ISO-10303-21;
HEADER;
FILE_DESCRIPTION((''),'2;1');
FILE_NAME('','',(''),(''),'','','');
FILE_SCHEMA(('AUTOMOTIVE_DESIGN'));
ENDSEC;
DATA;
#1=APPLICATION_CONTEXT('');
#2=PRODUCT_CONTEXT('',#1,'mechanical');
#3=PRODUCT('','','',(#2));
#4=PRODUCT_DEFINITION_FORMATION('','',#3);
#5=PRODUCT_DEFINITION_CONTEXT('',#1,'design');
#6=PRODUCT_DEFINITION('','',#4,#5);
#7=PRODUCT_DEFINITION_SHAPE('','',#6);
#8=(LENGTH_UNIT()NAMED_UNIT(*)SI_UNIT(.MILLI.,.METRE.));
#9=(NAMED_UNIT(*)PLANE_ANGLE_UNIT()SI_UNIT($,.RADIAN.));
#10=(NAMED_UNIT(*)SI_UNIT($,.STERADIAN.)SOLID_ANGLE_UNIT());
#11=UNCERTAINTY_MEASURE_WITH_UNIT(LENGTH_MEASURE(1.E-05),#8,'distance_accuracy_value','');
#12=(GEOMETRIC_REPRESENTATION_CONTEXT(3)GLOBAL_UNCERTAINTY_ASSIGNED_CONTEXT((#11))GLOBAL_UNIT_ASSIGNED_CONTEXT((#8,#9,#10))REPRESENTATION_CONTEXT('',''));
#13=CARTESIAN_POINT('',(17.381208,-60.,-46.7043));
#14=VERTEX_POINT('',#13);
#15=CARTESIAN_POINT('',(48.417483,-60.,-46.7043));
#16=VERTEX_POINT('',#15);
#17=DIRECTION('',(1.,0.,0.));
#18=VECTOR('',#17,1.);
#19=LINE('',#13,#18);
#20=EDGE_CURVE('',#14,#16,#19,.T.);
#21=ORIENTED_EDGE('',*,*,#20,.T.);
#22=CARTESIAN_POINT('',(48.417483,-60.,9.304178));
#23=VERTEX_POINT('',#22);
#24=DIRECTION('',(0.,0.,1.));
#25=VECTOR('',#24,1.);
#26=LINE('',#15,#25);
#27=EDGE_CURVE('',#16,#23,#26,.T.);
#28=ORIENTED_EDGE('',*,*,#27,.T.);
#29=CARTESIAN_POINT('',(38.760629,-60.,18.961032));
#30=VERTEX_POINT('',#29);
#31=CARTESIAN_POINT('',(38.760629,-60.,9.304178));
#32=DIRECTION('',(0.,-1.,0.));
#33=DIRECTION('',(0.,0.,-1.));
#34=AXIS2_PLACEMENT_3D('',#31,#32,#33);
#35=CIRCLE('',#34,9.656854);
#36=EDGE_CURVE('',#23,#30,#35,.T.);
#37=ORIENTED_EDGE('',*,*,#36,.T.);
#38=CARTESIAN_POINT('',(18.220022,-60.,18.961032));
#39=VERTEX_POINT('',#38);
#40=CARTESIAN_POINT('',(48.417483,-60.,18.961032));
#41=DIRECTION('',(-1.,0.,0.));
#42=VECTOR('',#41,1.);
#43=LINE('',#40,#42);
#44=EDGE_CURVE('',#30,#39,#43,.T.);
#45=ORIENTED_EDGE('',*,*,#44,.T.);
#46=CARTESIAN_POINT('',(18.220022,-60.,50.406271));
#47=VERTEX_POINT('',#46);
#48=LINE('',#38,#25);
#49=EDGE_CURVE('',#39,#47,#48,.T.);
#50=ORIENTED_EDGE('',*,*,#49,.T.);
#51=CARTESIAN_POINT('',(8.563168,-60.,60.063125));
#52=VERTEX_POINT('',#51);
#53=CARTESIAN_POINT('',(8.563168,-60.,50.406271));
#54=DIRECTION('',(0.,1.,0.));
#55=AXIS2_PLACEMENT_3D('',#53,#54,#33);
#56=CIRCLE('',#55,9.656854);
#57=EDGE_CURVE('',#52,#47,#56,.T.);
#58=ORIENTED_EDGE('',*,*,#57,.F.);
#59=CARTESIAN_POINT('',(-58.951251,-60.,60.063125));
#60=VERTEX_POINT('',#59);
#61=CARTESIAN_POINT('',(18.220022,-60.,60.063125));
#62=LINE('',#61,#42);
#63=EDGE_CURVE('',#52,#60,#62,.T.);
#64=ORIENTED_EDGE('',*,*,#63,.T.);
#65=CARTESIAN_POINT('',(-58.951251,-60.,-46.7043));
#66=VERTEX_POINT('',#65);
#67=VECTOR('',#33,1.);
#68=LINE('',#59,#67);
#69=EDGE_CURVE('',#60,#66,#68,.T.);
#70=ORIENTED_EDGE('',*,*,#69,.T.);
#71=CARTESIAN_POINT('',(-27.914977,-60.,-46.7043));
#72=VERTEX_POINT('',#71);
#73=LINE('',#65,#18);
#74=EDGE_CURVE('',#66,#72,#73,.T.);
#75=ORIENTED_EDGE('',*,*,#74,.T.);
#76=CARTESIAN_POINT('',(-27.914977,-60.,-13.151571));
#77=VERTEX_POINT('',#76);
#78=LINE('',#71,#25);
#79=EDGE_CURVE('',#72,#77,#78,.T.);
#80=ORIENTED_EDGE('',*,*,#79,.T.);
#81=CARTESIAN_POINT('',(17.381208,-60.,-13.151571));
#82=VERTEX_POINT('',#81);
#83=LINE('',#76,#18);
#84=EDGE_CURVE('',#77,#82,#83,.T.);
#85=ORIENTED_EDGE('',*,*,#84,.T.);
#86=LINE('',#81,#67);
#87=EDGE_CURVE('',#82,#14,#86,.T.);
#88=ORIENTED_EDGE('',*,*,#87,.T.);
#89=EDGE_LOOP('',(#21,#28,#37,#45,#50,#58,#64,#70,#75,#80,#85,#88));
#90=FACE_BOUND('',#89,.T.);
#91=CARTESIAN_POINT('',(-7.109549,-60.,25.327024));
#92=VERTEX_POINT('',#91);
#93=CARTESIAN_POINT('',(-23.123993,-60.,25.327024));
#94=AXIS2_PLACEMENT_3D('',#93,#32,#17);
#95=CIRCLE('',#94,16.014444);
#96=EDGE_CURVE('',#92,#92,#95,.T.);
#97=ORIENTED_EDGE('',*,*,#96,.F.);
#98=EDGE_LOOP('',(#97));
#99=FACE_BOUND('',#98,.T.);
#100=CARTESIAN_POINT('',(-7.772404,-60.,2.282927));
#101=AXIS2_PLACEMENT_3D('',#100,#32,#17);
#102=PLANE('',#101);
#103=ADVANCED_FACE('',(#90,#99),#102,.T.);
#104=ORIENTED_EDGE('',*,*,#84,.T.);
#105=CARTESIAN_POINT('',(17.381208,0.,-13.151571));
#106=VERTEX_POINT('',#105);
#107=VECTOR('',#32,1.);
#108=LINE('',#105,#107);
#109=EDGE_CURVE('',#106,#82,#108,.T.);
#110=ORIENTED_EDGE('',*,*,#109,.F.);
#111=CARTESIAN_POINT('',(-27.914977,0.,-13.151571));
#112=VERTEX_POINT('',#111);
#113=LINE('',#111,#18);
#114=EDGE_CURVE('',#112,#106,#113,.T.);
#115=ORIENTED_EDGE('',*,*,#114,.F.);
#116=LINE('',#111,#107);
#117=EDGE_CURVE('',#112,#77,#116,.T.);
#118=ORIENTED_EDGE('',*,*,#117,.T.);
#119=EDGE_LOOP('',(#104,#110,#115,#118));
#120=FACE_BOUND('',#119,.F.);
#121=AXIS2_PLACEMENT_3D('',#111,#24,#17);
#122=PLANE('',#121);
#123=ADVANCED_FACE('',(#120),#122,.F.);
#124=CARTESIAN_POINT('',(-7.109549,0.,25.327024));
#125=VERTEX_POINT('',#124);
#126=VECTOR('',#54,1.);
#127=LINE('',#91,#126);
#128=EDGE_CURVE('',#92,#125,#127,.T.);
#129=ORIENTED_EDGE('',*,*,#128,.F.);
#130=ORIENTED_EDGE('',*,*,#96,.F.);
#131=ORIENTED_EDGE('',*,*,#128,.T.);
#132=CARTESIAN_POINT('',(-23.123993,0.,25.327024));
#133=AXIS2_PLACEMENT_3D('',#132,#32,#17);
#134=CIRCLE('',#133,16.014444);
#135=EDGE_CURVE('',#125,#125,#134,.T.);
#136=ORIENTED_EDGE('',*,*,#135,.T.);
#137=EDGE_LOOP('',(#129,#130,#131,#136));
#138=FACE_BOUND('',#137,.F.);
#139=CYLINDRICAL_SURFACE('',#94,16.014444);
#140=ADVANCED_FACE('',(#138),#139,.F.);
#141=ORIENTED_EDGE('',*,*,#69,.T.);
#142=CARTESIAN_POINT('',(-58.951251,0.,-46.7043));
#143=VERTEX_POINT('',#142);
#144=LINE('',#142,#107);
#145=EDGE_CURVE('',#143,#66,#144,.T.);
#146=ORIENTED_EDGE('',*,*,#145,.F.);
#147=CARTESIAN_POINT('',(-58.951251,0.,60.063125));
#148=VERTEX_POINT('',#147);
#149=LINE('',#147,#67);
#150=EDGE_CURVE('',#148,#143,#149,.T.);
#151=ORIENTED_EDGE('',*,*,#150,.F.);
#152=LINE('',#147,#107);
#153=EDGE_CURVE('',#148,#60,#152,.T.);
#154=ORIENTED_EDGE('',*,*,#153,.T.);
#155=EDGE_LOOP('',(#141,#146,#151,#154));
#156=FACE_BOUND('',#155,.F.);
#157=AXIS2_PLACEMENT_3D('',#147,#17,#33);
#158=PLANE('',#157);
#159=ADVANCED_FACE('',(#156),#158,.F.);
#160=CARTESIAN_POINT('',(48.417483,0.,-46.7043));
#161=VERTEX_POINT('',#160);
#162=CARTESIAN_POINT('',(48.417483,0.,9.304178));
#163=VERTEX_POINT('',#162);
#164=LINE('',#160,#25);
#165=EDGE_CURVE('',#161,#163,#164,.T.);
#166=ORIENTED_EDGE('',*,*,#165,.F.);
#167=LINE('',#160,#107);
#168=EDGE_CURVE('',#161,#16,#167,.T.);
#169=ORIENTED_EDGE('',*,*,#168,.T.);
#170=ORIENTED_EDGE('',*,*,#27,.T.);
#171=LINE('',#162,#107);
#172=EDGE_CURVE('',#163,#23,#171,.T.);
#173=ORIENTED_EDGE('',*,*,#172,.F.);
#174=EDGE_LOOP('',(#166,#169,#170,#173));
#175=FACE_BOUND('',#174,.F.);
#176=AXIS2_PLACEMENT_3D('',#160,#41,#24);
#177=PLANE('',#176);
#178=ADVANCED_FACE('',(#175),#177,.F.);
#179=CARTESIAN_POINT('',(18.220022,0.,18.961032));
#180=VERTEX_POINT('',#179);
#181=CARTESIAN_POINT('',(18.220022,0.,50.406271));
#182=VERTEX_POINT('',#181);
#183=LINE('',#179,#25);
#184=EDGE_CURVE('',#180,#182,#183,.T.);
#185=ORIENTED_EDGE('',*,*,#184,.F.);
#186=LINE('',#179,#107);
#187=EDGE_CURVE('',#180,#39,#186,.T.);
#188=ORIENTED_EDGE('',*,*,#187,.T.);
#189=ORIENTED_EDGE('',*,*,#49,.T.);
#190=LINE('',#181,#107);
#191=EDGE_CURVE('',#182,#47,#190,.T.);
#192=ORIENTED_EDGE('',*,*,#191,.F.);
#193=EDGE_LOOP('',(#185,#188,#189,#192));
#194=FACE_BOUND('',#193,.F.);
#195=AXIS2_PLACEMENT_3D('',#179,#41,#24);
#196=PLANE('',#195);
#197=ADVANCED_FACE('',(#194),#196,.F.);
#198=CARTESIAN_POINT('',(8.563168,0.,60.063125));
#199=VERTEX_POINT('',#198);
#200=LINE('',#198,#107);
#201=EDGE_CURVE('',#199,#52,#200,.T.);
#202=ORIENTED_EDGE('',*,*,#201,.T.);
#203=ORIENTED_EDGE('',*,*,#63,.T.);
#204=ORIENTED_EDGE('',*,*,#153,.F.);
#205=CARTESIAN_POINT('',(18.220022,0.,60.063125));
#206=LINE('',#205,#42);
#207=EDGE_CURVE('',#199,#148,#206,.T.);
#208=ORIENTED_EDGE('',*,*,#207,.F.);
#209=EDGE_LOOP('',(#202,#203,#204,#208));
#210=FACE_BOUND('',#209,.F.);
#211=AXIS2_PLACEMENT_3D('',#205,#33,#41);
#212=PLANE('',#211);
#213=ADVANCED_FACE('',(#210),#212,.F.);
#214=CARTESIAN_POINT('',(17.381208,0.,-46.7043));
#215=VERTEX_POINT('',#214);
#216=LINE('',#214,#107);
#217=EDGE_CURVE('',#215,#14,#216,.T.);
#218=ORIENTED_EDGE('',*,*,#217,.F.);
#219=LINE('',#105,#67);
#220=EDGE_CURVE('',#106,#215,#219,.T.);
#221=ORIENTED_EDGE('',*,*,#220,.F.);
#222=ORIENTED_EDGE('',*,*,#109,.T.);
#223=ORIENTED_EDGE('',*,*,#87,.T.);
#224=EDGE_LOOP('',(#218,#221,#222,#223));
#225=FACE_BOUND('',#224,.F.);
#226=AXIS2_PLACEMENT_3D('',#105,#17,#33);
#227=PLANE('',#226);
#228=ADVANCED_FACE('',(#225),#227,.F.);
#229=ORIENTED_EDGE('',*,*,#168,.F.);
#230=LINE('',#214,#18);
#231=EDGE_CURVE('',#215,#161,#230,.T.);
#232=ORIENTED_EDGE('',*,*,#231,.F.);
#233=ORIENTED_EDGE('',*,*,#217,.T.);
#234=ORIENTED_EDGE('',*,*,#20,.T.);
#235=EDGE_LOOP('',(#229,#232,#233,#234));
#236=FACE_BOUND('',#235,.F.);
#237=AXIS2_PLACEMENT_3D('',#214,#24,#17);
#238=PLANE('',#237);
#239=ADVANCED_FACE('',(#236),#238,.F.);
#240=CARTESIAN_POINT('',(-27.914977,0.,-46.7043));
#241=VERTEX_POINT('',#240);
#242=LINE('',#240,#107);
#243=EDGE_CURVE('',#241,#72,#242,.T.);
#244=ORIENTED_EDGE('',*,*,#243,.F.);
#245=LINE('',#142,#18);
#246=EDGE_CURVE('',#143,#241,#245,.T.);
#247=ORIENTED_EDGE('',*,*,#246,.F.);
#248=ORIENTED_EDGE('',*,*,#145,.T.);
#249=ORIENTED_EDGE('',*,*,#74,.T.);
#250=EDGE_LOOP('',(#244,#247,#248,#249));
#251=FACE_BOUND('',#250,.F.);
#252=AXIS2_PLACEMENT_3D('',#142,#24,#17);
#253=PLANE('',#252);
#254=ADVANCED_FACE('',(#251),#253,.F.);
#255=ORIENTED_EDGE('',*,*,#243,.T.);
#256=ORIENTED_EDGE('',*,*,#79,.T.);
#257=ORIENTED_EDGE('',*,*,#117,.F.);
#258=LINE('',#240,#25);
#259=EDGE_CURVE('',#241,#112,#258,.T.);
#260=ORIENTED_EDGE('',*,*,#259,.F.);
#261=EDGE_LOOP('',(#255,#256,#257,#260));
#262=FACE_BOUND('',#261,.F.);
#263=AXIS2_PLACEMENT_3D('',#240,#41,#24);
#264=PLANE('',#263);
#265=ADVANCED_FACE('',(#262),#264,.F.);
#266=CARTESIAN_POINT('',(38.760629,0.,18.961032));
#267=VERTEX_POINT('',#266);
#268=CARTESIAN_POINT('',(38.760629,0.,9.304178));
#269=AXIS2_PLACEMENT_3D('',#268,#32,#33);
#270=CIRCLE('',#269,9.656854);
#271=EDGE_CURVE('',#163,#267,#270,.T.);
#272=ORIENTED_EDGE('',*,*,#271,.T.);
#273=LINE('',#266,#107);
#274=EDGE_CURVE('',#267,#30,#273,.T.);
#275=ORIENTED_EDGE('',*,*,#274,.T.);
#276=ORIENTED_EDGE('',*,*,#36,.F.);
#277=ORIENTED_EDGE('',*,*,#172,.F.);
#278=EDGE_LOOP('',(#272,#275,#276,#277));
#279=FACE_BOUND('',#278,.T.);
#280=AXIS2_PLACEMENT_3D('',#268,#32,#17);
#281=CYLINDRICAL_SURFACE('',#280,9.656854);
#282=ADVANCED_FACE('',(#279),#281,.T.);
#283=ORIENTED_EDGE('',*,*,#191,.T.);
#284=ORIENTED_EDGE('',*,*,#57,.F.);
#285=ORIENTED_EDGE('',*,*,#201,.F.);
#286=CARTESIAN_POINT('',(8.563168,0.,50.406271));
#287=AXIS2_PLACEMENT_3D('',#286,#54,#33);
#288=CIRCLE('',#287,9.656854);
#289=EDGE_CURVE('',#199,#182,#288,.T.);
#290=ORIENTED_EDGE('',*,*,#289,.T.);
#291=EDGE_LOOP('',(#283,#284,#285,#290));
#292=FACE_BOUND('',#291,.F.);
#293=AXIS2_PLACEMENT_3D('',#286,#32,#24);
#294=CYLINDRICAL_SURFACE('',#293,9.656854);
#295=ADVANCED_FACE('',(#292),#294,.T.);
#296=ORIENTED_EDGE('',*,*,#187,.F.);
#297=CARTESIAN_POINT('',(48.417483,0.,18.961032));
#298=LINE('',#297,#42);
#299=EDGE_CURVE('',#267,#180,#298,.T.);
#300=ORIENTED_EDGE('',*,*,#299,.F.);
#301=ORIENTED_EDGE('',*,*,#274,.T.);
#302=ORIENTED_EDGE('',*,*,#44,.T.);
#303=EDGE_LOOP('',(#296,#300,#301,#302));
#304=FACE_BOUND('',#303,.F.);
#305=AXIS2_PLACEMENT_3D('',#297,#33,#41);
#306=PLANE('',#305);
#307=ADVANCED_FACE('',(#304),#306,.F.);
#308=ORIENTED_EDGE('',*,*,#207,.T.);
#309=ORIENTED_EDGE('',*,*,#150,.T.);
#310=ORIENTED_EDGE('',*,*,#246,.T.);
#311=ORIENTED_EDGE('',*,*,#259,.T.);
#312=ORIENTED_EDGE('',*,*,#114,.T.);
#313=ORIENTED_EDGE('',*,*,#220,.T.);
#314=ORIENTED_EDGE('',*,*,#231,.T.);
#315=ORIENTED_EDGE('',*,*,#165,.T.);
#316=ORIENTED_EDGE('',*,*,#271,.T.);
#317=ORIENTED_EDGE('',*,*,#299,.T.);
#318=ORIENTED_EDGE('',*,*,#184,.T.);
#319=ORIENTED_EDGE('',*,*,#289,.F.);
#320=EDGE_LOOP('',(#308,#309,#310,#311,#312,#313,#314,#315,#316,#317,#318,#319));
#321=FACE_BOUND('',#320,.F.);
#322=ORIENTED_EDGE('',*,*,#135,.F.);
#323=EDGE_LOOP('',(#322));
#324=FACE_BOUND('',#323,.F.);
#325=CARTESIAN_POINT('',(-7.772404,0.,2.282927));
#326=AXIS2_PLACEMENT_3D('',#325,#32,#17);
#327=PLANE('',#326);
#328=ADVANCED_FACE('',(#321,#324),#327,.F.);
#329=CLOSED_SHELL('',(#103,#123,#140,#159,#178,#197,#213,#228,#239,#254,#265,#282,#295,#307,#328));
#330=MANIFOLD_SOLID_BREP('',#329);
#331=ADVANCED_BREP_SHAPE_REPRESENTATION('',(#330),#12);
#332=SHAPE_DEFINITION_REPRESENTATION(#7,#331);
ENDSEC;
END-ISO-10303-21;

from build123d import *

# Parameters (mm, degrees)
F1_DEPTH = 60
F2_R     = 9.656854
F3_R     = 16.014444
F4_DEPTH = 101


with BuildPart() as f1:
    # F0 (on Front) → F1 (new body)
    with BuildSketch(Plane.XZ):
        Polygon((18.220022, 60.063125), (-58.951251, 60.063125), (-58.951251, -46.7043), (-27.914977, -46.7043), (-27.914977, -13.151571), (17.381208, -13.151571), (17.381208, -46.7043), (48.417483, -46.7043), (48.417483, 18.961032), (18.220022, 18.961032), align=None)
    extrude(amount=F1_DEPTH)

    # F2
    f2_edges = [f1.edges().sort_by_distance(p)[0] for p in [
        (18.220022, -30, 60.063125),
        (48.417483, -30, 18.961032),
    ]]
    fillet(f2_edges, radius=F2_R)

    # F3 (on face) → F4 (cut)
    with BuildSketch(Plane.XZ.offset(60)):
        with Locations((-23.123993, 25.327024)):
            Circle(F3_R)
    extrude(amount=-F4_DEPTH, mode=Mode.SUBTRACT)


solid = f1.part
